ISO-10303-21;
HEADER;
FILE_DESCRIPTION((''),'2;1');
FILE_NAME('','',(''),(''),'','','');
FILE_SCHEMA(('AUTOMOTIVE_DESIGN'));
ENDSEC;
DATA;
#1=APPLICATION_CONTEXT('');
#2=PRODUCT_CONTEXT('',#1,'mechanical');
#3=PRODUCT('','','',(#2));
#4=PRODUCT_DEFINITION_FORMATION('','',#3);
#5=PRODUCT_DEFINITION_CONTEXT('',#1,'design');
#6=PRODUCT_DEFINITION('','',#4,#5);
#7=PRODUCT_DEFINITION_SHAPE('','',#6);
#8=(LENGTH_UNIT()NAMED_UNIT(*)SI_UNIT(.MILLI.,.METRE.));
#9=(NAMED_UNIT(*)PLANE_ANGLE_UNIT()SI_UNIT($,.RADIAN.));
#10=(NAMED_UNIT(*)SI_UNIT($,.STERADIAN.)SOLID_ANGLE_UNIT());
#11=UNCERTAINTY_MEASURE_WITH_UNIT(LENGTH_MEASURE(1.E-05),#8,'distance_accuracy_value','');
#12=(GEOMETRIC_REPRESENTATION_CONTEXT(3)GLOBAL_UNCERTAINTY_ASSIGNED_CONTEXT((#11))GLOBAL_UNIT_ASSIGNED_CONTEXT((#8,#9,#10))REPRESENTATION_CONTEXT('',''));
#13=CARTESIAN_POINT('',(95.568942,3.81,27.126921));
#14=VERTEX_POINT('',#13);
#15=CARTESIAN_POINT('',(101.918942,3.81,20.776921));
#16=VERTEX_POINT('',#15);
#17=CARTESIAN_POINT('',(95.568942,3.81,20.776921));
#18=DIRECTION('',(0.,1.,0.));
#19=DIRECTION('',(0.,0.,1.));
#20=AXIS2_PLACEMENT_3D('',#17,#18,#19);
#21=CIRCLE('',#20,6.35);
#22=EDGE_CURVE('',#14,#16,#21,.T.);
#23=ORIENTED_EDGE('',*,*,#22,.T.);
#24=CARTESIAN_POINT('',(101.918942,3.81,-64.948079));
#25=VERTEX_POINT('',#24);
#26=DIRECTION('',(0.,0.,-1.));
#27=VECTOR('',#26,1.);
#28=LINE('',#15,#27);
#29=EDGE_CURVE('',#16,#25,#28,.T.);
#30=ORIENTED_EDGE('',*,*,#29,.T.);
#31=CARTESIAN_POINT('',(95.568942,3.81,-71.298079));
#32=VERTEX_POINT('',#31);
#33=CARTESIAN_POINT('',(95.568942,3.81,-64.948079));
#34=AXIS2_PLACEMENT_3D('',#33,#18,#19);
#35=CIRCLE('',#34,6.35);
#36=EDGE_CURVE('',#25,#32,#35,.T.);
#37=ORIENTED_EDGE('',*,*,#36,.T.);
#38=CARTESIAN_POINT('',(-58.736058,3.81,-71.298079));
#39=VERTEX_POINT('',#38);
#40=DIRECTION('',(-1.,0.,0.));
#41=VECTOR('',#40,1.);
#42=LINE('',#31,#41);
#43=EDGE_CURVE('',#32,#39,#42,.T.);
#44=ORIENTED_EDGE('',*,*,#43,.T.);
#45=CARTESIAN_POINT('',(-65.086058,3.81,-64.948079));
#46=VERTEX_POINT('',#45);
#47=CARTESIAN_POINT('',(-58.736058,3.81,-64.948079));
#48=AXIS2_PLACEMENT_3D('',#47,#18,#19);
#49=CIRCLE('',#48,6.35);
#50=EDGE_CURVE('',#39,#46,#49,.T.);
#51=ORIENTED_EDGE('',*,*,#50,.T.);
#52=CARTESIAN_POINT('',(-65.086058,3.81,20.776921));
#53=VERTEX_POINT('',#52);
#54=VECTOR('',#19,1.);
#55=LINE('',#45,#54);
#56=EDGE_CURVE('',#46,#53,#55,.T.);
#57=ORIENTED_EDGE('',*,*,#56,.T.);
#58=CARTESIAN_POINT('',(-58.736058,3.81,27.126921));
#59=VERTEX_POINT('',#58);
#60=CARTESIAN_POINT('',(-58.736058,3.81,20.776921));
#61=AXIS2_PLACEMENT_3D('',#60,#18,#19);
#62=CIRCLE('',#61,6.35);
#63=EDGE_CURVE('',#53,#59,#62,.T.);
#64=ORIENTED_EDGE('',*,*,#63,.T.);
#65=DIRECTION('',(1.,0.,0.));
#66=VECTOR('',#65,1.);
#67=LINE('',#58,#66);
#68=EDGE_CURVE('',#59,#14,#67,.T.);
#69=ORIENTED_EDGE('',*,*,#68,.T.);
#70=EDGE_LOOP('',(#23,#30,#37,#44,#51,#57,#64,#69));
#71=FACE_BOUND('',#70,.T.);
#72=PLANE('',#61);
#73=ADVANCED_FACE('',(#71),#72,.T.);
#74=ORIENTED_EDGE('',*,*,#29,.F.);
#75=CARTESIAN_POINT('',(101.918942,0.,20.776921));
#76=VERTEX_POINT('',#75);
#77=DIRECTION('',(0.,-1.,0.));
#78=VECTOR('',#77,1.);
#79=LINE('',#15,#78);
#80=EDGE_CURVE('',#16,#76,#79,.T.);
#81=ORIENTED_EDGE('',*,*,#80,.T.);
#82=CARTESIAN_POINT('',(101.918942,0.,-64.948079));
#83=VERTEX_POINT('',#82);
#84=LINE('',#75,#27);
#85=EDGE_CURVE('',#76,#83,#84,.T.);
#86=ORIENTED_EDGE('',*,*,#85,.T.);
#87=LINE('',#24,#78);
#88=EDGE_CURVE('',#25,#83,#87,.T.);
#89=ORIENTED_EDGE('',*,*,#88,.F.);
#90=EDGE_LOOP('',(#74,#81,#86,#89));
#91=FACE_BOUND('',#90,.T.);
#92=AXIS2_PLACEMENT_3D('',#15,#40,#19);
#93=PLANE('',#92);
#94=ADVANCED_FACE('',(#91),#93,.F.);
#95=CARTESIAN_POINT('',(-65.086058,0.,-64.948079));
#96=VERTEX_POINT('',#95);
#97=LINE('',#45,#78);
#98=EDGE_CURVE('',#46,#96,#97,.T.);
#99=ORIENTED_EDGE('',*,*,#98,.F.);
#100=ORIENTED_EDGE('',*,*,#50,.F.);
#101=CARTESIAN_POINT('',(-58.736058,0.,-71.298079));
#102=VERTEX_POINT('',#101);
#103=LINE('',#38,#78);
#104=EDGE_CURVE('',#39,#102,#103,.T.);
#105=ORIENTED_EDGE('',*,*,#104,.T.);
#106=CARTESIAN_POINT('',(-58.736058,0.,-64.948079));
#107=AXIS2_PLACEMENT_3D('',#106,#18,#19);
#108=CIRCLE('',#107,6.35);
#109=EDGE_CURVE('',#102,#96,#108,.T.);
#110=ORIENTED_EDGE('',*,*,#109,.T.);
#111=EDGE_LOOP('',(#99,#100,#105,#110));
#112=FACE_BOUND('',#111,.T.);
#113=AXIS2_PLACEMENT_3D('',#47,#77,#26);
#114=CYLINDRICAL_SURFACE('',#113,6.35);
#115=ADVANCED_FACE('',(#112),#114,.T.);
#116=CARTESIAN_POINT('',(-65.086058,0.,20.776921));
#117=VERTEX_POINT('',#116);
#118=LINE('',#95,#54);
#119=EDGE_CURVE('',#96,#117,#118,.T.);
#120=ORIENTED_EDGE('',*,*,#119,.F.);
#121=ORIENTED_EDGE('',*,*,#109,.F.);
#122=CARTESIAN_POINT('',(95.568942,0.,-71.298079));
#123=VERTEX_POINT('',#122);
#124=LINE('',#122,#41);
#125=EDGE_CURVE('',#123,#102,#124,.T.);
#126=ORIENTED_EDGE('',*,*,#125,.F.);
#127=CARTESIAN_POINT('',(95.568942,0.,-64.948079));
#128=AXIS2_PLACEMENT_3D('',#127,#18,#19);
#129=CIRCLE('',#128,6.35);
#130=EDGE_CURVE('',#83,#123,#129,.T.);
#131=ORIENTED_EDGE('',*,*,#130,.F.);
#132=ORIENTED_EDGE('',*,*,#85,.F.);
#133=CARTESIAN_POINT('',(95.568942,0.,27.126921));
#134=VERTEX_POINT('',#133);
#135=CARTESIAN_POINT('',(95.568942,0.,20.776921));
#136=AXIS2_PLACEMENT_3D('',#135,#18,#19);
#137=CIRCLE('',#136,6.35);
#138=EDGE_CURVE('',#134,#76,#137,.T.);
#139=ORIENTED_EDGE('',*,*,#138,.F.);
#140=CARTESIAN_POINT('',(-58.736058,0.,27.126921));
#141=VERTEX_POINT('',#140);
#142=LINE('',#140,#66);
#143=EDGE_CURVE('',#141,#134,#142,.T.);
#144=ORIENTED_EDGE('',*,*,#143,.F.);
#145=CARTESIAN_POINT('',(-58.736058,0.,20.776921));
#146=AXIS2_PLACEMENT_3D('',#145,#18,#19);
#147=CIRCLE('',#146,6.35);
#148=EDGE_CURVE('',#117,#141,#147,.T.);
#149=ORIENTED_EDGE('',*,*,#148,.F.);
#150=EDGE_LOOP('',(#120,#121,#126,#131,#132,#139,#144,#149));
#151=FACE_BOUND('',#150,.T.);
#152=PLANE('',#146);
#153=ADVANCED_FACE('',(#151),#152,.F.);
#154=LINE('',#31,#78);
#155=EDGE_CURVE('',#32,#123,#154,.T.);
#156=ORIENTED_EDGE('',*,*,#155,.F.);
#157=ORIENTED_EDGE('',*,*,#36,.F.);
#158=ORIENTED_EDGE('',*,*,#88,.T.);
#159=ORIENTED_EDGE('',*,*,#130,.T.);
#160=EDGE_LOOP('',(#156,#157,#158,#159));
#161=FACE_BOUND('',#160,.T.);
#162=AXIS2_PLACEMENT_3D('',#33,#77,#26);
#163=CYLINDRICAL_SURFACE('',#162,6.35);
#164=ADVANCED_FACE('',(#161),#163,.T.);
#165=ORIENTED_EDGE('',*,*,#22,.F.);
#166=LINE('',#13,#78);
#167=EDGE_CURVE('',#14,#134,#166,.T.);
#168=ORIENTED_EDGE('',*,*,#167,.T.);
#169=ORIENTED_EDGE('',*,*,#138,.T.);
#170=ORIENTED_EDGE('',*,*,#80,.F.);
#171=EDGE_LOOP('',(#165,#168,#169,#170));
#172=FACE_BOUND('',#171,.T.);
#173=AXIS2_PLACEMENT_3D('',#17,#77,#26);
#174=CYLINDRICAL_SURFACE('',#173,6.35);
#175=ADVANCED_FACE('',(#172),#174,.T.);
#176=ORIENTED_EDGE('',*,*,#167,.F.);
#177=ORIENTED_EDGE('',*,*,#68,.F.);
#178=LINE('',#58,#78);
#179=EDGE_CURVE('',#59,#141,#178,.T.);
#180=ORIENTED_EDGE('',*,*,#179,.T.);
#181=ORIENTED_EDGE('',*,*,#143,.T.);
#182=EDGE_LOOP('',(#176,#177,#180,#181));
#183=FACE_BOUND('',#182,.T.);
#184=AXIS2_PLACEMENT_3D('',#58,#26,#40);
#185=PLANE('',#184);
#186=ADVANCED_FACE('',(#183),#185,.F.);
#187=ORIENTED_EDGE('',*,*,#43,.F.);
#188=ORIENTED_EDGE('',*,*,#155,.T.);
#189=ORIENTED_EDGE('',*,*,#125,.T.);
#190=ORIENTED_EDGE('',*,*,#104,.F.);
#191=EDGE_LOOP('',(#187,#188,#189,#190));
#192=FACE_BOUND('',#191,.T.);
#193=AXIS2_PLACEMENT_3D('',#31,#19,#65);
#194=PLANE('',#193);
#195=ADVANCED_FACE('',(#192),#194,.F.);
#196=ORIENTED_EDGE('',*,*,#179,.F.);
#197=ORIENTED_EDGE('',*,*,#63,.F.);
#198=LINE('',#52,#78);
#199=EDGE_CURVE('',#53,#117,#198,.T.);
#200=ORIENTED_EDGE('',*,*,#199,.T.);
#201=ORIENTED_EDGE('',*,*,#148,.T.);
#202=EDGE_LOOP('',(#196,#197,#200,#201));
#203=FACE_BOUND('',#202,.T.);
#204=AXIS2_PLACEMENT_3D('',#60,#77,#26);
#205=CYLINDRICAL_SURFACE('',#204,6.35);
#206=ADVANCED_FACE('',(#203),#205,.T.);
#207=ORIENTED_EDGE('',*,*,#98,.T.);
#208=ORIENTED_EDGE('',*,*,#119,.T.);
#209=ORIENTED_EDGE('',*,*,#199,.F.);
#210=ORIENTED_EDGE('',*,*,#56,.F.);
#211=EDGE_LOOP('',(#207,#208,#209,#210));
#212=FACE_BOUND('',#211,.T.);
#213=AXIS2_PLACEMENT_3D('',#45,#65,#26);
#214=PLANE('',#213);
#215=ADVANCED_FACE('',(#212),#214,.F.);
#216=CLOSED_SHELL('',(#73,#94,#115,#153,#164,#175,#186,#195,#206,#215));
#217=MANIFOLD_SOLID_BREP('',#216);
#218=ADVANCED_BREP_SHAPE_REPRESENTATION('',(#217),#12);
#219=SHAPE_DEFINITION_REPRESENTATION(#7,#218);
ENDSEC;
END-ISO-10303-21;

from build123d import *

# Parameters (mm, degrees)
BOSS_EXTRUDE1_DEPTH = 3.81


with BuildPart() as part:
    # Sketch1 → Boss-Extrude1 (new body)
    with BuildSketch(Plane(origin=(0, 0, 0), x_dir=(1, 0, 0), z_dir=(0, 1, 0))):
        with BuildLine():
            Line((-58.736057909, -27.126921458), (95.568942091, -27.126921458))
            ThreePointArc((95.568942091, -27.126921458), (100.059070151, -25.267049519), (101.918942091, -20.776921458))
            Line((101.918942091, -20.776921458), (101.918942091, 64.948078542))
            ThreePointArc((101.918942091, 64.948078542), (100.059070151, 69.438206603), (95.568942091, 71.298078542))
            Line((95.568942091, 71.298078542), (-58.736057909, 71.298078542))
            ThreePointArc((-58.736057909, 71.298078542), (-63.22618597, 69.438206603), (-65.086057909, 64.948078542))
            Line((-65.086057909, 64.948078542), (-65.086057909, -20.776921458))
            ThreePointArc((-65.086057909, -20.776921458), (-63.22618597, -25.267049519), (-58.736057909, -27.126921458))
        make_face()
    extrude(amount=BOSS_EXTRUDE1_DEPTH)


solid = part.part
